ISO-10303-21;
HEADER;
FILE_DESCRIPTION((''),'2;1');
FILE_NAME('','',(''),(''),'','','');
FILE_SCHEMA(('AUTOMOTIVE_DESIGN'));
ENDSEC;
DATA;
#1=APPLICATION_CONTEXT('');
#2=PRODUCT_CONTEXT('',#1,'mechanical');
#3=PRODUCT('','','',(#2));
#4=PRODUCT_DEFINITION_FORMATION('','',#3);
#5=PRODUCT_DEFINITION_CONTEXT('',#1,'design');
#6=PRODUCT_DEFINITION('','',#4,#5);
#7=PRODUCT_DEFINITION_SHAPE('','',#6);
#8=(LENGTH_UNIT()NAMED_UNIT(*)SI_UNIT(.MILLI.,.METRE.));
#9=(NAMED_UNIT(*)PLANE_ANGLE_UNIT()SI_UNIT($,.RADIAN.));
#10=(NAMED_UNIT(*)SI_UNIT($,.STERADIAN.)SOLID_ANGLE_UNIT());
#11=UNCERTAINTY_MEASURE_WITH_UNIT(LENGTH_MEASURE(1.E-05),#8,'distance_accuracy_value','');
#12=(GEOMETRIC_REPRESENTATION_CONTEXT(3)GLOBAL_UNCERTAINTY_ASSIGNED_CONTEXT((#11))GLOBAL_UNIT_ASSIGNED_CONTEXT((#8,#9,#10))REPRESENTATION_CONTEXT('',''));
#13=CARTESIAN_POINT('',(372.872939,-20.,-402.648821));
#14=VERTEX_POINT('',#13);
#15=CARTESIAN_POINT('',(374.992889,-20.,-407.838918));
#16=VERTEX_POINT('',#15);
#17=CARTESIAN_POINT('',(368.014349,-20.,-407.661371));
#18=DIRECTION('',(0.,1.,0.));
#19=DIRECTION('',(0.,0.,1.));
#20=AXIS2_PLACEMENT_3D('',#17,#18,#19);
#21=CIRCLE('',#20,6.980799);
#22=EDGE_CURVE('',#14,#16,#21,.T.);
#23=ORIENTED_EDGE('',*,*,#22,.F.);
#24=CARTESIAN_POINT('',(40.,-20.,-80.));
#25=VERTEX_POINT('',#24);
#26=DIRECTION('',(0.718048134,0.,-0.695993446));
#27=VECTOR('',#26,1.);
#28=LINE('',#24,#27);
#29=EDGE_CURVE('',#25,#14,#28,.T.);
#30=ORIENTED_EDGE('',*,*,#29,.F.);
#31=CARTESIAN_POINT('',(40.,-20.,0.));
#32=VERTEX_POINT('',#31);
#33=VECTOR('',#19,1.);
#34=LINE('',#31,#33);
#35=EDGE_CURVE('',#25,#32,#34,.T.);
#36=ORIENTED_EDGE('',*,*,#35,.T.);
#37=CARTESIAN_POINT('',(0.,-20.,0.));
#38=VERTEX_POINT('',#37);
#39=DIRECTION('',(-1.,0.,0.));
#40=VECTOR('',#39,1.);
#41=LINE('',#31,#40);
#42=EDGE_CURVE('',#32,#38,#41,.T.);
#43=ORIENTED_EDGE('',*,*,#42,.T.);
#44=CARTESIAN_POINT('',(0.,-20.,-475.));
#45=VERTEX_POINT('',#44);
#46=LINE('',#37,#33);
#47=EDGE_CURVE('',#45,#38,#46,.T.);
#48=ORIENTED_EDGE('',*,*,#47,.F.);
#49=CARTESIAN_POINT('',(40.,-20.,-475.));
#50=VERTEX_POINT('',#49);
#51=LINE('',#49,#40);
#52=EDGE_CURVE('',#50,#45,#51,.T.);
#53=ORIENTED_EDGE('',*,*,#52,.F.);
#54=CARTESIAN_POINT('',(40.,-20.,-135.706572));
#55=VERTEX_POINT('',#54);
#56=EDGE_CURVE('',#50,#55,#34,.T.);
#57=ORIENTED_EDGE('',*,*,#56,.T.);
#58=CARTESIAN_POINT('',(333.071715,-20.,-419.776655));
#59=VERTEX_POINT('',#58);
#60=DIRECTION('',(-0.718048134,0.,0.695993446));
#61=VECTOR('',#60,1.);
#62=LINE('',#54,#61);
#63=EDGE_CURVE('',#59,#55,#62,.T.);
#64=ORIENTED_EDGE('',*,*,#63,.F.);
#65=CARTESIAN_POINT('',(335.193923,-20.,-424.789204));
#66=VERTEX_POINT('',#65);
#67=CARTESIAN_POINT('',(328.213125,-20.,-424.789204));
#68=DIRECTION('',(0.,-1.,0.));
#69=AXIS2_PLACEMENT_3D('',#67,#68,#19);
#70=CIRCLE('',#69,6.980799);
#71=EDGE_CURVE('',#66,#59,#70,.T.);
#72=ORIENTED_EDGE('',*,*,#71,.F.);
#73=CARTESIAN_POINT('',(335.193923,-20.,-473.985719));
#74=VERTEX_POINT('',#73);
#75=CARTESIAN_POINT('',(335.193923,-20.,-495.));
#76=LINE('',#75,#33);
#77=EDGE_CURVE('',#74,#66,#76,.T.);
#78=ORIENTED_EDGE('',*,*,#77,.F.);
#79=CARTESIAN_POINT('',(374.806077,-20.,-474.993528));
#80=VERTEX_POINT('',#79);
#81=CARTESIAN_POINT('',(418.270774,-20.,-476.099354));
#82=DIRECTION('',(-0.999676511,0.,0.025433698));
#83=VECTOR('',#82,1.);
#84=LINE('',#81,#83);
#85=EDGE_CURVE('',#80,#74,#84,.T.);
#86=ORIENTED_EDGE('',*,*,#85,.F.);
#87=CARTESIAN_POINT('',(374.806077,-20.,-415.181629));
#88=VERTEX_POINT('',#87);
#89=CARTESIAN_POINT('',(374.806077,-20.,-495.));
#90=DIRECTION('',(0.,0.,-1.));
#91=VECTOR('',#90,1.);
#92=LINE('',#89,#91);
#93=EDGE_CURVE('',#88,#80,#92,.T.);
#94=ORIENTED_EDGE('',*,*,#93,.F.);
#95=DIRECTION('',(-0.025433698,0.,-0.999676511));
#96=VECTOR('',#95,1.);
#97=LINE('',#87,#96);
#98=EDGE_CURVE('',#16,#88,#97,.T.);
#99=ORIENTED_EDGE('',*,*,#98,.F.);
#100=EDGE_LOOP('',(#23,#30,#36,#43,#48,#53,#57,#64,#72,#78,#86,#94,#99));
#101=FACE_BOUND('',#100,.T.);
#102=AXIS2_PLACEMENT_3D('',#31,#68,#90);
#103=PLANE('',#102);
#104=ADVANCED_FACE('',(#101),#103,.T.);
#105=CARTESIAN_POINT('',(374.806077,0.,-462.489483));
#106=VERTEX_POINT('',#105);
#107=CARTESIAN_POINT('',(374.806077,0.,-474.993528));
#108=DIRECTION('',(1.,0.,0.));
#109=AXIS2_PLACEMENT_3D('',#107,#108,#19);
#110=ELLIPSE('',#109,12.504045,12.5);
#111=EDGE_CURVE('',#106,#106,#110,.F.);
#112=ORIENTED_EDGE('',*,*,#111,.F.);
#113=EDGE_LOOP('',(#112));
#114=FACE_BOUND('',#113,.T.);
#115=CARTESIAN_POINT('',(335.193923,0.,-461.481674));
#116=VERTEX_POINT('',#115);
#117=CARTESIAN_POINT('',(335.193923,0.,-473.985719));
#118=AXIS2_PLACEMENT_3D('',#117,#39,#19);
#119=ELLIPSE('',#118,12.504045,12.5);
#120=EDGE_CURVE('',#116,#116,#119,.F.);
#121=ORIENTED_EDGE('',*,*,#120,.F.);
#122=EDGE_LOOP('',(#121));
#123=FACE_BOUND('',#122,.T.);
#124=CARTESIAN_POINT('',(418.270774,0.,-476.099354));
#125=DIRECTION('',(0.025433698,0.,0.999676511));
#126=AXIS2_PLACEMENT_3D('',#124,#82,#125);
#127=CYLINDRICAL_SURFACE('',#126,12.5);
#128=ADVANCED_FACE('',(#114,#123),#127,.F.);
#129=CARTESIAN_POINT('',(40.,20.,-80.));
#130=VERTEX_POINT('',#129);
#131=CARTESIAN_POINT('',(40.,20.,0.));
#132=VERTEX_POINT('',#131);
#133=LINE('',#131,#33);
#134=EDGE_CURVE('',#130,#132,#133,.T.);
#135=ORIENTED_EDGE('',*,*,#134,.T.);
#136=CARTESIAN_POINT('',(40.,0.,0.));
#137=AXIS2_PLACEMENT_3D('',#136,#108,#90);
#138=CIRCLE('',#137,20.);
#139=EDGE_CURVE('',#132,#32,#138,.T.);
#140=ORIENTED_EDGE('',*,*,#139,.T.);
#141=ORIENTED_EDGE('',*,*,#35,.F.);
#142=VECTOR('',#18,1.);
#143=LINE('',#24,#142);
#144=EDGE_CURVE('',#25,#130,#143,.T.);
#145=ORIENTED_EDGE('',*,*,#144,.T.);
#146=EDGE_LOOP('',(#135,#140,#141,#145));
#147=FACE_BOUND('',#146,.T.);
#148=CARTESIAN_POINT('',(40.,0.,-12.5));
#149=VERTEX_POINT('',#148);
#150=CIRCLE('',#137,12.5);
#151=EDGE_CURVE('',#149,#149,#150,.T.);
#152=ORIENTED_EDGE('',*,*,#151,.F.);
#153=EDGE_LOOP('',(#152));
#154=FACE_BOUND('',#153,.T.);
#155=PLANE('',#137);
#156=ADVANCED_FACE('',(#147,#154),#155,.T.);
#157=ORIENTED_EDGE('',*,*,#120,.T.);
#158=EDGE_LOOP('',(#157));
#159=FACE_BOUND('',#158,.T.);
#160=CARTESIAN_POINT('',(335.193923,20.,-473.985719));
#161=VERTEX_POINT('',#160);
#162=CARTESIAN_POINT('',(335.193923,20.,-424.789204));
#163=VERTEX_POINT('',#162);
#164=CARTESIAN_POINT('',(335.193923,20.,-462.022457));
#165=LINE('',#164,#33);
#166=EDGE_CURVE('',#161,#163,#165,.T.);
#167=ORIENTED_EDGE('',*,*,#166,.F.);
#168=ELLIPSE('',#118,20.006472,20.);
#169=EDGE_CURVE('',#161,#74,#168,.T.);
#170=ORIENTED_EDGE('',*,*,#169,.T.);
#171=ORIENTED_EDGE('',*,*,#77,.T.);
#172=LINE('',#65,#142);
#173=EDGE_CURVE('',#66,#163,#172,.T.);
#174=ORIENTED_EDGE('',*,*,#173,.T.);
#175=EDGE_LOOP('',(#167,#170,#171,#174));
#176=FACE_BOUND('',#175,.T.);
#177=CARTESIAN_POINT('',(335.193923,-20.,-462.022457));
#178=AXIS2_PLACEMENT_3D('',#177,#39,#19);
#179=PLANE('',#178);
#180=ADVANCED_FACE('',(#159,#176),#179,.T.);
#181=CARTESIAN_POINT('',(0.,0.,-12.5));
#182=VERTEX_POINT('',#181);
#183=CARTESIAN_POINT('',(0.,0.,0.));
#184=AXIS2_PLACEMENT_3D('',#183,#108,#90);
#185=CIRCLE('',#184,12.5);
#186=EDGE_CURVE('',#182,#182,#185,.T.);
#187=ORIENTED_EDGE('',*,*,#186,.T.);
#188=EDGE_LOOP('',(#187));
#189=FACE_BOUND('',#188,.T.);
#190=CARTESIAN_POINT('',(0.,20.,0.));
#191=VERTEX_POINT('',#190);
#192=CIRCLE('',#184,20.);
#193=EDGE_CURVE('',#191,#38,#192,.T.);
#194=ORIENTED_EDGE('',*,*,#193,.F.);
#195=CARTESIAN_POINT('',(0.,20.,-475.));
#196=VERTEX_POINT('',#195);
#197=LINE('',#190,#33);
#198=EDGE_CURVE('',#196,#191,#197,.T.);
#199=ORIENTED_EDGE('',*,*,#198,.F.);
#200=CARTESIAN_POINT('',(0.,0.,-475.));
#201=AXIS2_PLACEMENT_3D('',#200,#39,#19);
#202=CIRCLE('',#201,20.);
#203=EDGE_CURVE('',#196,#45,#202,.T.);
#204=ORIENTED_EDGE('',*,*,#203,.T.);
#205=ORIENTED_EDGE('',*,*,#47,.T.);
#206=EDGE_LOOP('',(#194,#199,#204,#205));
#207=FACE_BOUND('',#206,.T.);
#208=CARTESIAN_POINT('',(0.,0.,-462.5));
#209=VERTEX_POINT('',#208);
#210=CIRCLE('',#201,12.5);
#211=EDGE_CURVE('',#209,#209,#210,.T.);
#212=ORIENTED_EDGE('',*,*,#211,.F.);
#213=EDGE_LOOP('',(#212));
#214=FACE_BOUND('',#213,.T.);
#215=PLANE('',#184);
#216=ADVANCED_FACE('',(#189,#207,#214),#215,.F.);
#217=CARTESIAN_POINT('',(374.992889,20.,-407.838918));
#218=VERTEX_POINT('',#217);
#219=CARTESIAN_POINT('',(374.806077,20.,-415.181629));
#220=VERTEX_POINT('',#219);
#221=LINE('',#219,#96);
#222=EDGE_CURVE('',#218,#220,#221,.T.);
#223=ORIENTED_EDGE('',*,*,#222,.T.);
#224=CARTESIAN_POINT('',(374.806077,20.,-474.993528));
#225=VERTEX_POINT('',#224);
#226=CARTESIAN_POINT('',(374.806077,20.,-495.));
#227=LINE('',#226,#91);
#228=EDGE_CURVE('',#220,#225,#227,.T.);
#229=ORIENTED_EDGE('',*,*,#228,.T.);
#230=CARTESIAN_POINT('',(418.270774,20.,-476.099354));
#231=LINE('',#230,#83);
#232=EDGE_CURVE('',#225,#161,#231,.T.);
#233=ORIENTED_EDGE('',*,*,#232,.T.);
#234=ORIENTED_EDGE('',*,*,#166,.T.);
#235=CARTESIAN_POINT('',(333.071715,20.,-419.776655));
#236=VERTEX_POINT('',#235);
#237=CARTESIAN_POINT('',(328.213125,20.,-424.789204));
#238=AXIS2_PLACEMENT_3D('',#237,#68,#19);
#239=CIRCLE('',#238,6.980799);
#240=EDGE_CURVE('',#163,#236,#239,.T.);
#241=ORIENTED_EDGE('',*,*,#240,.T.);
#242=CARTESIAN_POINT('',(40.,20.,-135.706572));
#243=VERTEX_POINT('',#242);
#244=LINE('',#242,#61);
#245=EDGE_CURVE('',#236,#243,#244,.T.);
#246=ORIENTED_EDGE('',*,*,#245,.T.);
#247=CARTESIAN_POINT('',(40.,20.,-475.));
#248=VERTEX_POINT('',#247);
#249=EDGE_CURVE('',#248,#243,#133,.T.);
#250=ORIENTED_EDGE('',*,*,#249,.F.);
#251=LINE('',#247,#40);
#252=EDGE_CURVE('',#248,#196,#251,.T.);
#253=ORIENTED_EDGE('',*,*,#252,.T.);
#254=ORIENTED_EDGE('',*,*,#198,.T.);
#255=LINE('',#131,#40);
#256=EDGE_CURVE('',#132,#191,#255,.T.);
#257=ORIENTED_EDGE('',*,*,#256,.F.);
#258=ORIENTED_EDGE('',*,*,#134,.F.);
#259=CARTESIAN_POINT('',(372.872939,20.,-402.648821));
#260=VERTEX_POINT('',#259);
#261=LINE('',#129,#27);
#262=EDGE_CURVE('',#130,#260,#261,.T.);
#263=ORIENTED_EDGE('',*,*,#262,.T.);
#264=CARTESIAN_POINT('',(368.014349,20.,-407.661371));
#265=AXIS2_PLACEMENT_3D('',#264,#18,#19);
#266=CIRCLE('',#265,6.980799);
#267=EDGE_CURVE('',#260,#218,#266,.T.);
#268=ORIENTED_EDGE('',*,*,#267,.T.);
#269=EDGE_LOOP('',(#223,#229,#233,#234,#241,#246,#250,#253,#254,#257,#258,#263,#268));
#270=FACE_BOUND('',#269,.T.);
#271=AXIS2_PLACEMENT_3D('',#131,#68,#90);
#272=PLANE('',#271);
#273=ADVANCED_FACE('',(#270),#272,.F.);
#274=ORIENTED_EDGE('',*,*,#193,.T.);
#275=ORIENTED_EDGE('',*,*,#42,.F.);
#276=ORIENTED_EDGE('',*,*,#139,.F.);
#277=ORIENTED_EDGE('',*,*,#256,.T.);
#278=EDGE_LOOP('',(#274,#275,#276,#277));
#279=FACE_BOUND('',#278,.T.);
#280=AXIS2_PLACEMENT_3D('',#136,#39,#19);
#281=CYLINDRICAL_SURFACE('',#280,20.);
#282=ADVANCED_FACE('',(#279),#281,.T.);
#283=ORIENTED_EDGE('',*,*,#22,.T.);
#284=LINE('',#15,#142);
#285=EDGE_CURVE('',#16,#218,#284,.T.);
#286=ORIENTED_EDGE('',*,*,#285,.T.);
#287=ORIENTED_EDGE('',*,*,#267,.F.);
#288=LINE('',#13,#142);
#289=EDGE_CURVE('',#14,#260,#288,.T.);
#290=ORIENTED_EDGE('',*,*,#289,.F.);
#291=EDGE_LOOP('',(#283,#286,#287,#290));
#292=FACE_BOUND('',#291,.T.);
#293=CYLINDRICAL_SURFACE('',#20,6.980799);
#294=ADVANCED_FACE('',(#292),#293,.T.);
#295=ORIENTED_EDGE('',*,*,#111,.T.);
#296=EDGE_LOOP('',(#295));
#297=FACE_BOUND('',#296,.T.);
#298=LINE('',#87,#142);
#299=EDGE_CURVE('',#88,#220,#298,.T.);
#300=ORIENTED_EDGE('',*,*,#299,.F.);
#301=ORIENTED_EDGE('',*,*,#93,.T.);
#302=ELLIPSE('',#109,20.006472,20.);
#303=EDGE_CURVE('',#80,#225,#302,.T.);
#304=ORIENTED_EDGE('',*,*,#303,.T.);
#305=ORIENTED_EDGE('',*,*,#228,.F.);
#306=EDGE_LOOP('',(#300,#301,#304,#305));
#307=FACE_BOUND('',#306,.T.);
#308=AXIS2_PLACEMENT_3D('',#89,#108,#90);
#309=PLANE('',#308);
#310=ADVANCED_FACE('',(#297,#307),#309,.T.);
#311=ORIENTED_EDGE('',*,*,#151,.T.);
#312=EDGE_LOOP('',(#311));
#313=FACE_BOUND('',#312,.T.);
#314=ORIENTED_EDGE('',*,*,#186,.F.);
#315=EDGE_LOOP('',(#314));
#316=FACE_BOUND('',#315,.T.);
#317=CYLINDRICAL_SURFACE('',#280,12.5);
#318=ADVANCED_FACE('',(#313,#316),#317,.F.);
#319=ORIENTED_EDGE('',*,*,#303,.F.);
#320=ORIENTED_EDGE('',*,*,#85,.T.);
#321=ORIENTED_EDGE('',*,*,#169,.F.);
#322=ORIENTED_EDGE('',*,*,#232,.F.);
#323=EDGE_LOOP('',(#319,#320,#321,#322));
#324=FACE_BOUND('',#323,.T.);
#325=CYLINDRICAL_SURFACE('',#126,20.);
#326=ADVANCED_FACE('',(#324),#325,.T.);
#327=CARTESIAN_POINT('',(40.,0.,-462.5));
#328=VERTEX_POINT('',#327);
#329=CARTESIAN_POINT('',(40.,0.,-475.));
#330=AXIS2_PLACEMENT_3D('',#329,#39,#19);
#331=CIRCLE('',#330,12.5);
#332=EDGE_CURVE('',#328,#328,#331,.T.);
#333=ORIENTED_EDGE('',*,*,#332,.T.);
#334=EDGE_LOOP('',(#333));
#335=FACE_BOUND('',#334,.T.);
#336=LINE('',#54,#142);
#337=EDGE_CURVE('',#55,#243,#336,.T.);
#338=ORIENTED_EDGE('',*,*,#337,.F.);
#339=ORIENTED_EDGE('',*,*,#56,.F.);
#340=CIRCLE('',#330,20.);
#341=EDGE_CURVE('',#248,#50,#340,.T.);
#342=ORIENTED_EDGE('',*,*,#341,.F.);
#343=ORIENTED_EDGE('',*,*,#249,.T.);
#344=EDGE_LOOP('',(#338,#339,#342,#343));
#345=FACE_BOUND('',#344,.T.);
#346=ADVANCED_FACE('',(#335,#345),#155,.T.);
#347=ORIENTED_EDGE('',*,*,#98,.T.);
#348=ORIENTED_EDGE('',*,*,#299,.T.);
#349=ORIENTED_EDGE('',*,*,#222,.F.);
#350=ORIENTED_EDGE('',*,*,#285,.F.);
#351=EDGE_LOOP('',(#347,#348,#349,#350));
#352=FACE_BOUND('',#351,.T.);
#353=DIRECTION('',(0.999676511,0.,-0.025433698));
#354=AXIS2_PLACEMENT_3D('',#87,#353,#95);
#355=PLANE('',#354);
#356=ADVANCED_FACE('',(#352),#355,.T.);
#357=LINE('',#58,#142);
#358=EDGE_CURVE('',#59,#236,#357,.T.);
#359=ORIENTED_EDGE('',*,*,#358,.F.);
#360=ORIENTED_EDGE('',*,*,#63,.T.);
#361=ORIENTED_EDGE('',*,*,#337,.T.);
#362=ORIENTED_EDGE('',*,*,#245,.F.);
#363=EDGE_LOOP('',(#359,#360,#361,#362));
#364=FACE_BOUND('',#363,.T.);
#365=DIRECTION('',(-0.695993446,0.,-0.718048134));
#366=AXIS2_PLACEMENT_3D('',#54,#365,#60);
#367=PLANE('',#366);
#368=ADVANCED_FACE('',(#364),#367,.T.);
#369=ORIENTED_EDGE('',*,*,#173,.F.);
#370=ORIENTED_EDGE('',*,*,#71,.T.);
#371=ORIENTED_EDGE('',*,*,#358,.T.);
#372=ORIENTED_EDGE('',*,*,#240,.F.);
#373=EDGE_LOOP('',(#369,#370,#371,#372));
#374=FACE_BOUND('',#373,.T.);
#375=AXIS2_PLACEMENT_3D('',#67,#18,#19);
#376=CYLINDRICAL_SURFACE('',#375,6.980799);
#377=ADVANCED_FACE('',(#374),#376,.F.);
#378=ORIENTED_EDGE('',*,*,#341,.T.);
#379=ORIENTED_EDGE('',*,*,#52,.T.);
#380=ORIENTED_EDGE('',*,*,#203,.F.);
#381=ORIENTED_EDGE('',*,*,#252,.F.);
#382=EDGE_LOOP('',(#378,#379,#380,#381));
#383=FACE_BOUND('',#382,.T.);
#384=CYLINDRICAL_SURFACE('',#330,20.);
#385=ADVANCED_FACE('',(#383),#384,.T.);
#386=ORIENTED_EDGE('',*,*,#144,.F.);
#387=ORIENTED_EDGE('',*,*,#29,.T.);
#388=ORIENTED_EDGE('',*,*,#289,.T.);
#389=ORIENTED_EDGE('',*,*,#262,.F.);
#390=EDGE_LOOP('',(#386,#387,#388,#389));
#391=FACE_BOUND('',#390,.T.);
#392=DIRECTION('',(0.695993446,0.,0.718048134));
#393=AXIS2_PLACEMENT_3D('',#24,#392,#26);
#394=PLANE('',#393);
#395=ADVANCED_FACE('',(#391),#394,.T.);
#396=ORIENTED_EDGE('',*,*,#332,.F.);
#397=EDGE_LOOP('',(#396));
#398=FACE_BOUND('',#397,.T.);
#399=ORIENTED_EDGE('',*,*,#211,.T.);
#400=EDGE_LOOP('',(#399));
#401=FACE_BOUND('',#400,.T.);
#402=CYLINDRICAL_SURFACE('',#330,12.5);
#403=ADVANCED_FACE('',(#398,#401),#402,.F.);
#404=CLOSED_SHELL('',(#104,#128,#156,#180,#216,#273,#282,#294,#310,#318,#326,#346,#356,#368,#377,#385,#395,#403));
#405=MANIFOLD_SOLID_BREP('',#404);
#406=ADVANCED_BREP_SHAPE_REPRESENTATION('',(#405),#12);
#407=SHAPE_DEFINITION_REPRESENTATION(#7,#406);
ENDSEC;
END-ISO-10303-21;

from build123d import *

# Parameters (mm, degrees)
CROQUIS1_R                 = 12.5
SALIENTE_EXTRUIR1_DEPTH    = 40
SALIENTE_EXTRUIR2_DEPTH    = 40
CORTAR_EXTRUIR2_DEPTH      = 45
CORTAR_EXTRUIR2_DEPTH_BACK = 45
CROQUIS3_R                 = 12.5


with BuildPart() as part:
    # Croquis1 → Saliente-Extruir1 (new body)
    with BuildSketch(Plane(origin=(0, 0, 0), x_dir=(0, 0, -1), z_dir=(1, 0, 0))):
        with BuildLine():
            ThreePointArc((0, 20), (-20, 0), (0, -20))
            Line((0, -20), (475, -20))
            ThreePointArc((475, -20), (495, 0), (475, 20))
            Line((475, 20), (0, 20))
        make_face()
        with Locations((475, 0)):
            Circle(CROQUIS1_R, mode=Mode.SUBTRACT)
        Circle(CROQUIS1_R, mode=Mode.SUBTRACT)
    extrude(amount=SALIENTE_EXTRUIR1_DEPTH)

    # Croquis2 → Saliente-Extruir2 (add)
    with BuildSketch(Plane(origin=(0, 20, 0), x_dir=(1, 0, 0), z_dir=(0, 1, 0))):
        with BuildLine():
            Line((40, 135.706571889), (40, 80))
            Line((40, 80), (372.872939005, 402.648821131))
            ThreePointArc((372.872939005, 402.648821131), (374.476832278, 405.021700465), (374.992889328, 407.83891808))
            Line((374.992889328, 407.83891808), (374.806076613, 415.181628683))
            Line((374.806076613, 415.181628683), (374.806076613, 495))
            Line((374.806076613, 495), (335.193923387, 495))
            Line((335.193923387, 495), (335.193923387, 462.022456719))
            Line((335.193923387, 462.022456719), (335.193923387, 424.789203994))
            ThreePointArc((335.193923387, 424.789203994), (334.64151447, 422.067558315), (333.071714854, 419.776654567))
            Line((333.071714854, 419.776654567), (40, 135.706571889))
        make_face()
    extrude(amount=-SALIENTE_EXTRUIR2_DEPTH)

    # Croquis3 → Cortar-Extruir2 (cut, two sides: drawn at the far end of the back side and taken through both)
    with BuildSketch(Plane(origin=(385.119812841, 0, -9.798190532), x_dir=(-0.025433697775531394, 0, -0.9996765111862251), z_dir=(0.9996765111862251, 0, -0.025433697775531394)).offset(-CORTAR_EXTRUIR2_DEPTH_BACK)):
        with Locations((465.30716856, 0)):
            Circle(CROQUIS3_R)
        with BuildLine():
            Line((465.30716856, 20), (485.30716856, 20))
            Line((485.30716856, 20), (531.151017537, 20))
            Line((531.151017537, 20), (531.151017537, -20))
            Line((531.151017537, -20), (485.30716856, -20))
            Line((485.30716856, -20), (465.30716856, -20))
            ThreePointArc((465.30716856, -20), (485.30716856, 0), (465.30716856, 20))
        make_face()
    extrude(amount=CORTAR_EXTRUIR2_DEPTH + CORTAR_EXTRUIR2_DEPTH_BACK, mode=Mode.SUBTRACT)


solid = part.part
